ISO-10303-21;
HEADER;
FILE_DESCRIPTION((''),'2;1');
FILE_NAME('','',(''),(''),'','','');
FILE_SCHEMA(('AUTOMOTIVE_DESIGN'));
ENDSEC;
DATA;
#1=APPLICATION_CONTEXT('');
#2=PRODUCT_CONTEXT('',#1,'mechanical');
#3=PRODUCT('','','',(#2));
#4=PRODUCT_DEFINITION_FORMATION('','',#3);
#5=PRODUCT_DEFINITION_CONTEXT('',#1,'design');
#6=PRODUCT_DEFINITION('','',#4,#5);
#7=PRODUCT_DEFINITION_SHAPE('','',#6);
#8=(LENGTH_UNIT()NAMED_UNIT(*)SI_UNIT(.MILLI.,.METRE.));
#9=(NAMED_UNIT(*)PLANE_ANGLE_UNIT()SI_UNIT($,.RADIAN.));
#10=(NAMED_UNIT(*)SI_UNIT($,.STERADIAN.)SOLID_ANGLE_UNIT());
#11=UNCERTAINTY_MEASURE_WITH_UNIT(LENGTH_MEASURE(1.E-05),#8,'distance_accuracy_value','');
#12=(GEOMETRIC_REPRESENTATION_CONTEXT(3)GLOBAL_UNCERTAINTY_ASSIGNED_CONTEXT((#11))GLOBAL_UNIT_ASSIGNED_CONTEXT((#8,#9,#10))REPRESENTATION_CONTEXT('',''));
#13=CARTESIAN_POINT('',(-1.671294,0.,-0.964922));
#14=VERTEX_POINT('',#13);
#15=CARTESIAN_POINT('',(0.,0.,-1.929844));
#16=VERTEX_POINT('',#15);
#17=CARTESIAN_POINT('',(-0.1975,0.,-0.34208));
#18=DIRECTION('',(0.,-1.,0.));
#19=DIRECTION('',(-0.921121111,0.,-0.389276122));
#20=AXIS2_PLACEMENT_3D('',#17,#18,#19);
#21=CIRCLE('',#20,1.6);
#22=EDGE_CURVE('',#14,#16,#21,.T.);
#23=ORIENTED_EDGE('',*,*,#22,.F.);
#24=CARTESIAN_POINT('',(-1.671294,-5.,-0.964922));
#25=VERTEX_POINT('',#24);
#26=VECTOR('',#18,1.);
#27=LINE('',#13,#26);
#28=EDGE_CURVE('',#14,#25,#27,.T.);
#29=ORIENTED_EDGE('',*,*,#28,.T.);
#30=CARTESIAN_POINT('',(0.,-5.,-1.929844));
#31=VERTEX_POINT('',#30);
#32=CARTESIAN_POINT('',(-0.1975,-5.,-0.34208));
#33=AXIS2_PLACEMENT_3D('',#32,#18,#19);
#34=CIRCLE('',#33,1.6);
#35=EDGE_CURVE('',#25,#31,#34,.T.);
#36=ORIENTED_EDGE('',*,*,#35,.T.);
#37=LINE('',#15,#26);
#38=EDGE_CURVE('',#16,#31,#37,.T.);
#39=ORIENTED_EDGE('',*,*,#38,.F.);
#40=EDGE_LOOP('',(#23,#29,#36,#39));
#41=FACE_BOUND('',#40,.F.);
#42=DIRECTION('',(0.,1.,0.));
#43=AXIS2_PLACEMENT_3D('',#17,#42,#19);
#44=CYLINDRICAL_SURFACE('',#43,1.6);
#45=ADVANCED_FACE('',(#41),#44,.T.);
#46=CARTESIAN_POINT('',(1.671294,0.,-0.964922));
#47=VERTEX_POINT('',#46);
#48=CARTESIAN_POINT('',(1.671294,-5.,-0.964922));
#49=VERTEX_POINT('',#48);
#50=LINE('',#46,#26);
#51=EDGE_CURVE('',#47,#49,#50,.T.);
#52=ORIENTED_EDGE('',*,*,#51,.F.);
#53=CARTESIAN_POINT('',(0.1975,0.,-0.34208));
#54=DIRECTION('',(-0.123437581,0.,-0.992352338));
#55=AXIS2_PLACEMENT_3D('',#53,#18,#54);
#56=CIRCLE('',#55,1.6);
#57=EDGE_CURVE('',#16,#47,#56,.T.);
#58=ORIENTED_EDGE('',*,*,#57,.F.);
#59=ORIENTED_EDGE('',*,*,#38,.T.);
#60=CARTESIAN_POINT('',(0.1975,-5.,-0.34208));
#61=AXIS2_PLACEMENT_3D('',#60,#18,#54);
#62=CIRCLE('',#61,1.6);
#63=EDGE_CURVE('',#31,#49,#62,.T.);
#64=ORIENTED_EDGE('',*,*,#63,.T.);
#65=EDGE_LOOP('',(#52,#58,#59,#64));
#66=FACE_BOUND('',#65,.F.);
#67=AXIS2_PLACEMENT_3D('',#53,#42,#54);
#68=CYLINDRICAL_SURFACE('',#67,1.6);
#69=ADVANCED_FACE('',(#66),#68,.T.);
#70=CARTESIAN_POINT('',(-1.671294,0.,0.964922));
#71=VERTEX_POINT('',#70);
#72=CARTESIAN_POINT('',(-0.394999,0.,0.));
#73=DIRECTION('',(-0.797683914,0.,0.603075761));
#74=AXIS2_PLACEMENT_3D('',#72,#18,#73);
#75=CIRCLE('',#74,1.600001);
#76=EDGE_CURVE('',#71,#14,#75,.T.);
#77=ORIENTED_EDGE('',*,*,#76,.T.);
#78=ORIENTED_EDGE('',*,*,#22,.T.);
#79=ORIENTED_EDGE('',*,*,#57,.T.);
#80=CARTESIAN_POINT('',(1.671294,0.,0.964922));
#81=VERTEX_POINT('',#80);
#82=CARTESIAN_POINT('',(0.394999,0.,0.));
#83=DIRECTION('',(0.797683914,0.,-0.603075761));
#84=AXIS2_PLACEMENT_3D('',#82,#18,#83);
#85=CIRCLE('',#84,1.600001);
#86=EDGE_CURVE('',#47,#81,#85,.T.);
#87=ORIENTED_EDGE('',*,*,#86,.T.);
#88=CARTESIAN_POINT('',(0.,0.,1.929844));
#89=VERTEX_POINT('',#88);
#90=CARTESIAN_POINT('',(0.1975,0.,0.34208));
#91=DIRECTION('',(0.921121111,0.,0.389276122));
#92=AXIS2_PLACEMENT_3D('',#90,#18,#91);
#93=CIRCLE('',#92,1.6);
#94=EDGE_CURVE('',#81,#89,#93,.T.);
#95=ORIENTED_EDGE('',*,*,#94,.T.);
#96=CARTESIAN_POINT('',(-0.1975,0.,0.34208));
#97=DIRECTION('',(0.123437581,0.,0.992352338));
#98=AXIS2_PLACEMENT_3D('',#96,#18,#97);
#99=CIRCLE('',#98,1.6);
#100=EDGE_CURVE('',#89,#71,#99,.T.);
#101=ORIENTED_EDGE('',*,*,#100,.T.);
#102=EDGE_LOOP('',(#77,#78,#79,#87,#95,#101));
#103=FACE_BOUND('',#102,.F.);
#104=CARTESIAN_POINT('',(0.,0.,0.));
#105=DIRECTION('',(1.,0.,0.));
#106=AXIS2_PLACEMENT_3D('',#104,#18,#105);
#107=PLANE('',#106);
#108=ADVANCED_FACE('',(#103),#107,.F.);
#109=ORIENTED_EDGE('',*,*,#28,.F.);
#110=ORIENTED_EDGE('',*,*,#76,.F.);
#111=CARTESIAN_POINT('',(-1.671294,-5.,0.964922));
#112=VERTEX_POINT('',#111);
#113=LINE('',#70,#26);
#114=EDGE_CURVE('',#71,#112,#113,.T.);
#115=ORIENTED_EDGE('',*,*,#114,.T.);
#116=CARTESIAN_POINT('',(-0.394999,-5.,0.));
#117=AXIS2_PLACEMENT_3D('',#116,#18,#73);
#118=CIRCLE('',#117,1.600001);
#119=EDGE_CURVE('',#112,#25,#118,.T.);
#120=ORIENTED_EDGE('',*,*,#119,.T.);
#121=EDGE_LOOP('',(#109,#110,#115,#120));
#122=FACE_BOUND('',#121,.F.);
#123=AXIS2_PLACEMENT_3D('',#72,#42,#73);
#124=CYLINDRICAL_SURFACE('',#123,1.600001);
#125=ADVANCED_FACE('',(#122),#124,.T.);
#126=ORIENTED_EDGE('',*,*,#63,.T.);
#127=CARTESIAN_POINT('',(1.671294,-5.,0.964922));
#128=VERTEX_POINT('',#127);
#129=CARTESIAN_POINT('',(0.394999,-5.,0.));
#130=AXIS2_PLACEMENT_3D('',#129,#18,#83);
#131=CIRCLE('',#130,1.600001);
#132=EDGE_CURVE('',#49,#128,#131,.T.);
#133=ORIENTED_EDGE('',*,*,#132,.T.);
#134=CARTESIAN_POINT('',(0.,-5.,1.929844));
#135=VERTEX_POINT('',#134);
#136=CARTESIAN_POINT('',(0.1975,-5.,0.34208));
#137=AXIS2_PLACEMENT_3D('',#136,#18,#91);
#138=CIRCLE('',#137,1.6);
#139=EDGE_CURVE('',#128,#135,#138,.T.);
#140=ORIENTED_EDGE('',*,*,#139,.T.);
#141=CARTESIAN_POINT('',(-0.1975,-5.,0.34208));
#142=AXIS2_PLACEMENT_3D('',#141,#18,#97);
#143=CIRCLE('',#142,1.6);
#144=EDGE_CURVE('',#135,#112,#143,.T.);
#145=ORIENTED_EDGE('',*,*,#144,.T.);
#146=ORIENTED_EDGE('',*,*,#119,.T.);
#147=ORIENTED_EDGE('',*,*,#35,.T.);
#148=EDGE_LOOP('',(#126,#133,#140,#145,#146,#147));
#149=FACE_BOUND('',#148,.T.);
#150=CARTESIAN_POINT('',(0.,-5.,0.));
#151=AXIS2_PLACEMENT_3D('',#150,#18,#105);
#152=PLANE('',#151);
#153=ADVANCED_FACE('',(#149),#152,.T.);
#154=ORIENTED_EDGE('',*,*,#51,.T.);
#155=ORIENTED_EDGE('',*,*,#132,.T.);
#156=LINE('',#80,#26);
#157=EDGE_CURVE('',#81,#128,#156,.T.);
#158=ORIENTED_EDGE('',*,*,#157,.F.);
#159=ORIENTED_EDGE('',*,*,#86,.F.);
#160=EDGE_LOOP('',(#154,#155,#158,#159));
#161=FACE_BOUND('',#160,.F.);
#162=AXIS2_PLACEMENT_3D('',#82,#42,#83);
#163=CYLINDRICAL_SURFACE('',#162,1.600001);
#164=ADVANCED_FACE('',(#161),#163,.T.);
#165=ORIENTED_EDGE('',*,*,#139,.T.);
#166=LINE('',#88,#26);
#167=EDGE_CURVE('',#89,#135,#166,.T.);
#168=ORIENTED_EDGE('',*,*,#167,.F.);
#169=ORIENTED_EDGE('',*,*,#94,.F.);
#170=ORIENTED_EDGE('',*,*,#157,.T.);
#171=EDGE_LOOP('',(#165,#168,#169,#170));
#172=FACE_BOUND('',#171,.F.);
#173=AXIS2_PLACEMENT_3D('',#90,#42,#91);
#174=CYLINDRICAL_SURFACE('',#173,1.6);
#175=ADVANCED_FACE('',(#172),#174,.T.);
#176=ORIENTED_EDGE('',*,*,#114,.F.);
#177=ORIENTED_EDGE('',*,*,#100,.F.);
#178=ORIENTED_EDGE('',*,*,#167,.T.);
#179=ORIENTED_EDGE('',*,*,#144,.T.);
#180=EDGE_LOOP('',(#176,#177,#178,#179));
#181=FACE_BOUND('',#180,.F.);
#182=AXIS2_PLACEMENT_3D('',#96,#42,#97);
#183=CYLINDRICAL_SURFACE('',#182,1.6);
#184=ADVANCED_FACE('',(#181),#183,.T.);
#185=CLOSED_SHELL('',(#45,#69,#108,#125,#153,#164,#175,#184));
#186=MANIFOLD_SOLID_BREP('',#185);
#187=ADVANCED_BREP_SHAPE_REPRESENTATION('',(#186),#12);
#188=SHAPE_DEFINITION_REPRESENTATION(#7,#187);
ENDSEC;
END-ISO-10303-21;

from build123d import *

# Parameters (mm, degrees)
F1_DEPTH = 5


with BuildPart() as f1:
    # F0 (on Front) → F1 (new body)
    with BuildSketch(Plane.XZ):
        with BuildLine():
            ThreePointArc((1.671294, 0.964922), (0.9975, 1.727721), (0, 1.929844))
            ThreePointArc((0, 1.929844), (-0.9975, 1.727721), (-1.671294, 0.964922))
            ThreePointArc((-1.671294, 0.964922), (-1.995, 0), (-1.671294, -0.964922))
            ThreePointArc((-1.671294, -0.964922), (-0.9975, -1.727721), (0, -1.929844))
            ThreePointArc((0, -1.929844), (0.9975, -1.727721), (1.671294, -0.964922))
            ThreePointArc((1.671294, -0.964922), (1.995, 0), (1.671294, 0.964922))
        make_face()
    extrude(amount=F1_DEPTH)


solid = f1.part
